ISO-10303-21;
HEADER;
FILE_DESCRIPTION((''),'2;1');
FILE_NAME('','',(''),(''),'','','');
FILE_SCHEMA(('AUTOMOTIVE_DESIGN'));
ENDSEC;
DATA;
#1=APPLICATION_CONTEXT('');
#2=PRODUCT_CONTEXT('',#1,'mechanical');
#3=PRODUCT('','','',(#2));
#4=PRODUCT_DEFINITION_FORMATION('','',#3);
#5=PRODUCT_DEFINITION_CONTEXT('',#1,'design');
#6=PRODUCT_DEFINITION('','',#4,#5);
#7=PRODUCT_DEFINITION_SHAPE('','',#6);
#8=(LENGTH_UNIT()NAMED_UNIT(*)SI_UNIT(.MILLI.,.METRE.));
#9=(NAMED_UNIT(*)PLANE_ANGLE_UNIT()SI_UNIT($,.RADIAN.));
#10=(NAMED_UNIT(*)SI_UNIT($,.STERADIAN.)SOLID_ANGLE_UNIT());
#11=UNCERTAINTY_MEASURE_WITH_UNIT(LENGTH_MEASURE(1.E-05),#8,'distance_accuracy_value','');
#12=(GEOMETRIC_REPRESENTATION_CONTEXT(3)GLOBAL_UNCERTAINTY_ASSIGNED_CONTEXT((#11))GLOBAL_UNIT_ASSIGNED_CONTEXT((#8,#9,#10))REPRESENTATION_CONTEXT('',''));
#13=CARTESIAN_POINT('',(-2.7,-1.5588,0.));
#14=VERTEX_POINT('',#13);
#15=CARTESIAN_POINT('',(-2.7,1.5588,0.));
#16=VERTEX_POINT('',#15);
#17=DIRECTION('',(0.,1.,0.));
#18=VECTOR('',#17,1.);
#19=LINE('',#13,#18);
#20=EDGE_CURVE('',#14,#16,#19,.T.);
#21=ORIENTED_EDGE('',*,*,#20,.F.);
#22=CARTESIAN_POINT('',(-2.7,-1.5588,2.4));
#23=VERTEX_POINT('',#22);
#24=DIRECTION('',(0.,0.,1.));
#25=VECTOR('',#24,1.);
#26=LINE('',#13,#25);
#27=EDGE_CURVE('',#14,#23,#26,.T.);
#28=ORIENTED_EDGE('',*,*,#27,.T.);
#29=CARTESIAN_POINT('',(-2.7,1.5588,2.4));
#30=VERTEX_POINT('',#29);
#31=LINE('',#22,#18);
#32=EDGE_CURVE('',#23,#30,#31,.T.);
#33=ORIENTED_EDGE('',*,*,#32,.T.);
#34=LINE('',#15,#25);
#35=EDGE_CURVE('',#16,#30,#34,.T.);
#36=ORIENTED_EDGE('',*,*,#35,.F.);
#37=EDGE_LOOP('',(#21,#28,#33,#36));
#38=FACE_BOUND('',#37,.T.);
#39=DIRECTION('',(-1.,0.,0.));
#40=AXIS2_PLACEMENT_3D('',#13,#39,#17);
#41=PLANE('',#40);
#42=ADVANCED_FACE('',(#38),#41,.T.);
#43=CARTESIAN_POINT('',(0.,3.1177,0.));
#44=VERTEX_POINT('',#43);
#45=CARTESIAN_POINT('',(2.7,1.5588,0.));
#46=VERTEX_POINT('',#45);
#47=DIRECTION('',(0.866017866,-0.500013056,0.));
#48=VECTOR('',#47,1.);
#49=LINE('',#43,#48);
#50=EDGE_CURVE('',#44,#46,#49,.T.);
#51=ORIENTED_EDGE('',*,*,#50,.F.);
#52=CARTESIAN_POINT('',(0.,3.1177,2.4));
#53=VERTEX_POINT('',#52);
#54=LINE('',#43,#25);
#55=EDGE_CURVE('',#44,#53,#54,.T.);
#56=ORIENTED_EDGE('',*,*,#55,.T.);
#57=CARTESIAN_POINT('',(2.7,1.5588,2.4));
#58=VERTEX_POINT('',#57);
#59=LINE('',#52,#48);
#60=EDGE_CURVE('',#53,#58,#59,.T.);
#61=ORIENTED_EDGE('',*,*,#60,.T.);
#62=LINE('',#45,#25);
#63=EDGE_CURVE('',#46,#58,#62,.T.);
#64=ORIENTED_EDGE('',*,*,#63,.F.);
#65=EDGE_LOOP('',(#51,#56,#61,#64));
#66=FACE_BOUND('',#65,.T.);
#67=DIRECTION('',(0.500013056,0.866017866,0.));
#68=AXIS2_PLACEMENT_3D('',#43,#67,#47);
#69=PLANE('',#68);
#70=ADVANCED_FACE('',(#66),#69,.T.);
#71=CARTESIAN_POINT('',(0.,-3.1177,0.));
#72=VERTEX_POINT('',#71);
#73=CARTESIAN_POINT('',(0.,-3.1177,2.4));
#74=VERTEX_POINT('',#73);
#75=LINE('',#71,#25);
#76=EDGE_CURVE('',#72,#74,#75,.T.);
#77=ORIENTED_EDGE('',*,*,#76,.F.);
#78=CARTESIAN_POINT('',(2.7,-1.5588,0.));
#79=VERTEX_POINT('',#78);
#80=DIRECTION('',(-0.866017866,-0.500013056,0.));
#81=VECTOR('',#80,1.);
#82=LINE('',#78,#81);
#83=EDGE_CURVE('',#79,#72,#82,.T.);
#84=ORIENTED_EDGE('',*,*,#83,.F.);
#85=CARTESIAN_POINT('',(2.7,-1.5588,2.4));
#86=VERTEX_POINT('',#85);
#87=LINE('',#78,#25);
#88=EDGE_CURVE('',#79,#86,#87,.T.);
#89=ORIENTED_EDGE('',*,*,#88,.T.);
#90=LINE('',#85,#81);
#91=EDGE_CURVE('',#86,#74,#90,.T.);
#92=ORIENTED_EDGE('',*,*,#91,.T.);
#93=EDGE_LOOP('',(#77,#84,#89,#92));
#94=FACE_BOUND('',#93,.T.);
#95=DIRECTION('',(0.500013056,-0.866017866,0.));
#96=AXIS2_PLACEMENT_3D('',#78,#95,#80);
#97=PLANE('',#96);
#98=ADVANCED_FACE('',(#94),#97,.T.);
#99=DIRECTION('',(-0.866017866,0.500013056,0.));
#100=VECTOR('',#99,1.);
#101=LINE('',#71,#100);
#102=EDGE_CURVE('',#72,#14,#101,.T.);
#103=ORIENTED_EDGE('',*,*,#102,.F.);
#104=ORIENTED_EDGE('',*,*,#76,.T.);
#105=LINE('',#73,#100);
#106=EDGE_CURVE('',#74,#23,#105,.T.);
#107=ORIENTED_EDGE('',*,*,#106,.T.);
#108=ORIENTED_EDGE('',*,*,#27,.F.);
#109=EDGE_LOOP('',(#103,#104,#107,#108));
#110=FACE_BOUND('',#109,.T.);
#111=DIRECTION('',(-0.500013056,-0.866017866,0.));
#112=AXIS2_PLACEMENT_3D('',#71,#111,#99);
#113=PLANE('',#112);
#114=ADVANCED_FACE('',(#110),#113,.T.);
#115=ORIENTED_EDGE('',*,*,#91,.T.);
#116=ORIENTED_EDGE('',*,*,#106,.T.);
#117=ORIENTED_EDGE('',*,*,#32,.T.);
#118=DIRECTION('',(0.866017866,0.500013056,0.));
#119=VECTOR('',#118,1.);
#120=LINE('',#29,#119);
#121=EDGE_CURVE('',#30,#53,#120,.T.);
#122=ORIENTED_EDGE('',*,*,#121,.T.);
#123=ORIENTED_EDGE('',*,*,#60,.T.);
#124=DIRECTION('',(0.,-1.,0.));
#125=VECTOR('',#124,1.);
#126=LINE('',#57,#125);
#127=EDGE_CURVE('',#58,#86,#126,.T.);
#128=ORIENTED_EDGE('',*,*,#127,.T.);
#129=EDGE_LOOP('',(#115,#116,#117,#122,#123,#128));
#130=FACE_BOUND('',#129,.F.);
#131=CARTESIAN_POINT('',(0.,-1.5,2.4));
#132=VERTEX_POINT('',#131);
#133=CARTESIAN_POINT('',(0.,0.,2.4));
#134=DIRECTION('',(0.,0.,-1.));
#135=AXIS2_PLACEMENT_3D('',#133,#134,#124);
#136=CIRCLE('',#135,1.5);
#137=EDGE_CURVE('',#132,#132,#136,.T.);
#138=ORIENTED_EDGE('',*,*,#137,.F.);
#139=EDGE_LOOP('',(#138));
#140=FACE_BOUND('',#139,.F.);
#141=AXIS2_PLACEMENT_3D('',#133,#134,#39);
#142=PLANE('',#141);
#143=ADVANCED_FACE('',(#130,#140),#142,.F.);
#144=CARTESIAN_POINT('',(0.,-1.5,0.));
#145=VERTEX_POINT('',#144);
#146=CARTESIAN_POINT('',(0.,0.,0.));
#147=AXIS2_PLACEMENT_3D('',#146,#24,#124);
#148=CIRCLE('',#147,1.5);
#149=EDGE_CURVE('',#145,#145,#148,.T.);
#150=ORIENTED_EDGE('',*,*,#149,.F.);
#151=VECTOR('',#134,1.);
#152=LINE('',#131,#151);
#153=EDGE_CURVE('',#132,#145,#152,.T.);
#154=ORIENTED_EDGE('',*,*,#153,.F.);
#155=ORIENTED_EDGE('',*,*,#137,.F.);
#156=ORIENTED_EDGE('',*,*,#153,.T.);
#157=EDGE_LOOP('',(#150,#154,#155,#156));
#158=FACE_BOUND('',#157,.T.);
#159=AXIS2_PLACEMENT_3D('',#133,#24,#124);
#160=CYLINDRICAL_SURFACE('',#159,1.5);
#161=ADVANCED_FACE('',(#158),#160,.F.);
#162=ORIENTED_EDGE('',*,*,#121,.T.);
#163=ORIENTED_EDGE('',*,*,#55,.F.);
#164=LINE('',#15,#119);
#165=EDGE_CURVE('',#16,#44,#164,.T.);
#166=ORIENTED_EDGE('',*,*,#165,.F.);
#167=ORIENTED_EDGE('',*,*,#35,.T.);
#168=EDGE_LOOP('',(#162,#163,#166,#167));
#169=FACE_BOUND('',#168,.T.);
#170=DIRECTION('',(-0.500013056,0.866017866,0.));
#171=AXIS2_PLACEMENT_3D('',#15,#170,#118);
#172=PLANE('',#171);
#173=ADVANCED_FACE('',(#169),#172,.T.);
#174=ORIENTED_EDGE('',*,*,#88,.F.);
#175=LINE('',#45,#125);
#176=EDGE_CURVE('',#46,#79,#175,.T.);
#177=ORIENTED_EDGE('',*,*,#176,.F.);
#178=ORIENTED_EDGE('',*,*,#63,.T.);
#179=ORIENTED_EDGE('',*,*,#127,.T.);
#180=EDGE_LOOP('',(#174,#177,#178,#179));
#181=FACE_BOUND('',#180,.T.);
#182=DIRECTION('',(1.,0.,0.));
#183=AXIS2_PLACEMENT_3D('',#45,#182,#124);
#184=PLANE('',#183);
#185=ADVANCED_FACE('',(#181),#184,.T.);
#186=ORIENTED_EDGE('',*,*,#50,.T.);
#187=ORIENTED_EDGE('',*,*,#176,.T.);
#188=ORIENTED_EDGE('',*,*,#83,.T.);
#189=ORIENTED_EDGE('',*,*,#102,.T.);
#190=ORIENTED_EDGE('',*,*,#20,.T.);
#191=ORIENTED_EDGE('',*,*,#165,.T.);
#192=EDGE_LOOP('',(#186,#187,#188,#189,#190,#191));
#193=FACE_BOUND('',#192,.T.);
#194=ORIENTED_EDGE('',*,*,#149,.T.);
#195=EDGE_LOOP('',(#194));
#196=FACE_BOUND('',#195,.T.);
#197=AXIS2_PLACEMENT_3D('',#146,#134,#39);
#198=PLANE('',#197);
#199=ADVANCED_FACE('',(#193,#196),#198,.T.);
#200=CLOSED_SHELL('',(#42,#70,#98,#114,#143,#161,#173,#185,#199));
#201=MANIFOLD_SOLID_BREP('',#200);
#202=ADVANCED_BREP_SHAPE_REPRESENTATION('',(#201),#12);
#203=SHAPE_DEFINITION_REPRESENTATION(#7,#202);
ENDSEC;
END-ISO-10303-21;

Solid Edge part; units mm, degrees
sketch "Sketch1" plane through (0, 0, 0) normal (0, 0, 1) x (1, 0, 0)
  line L0 (0, 3.1177) -> (2.7, 1.5588)
  line L1 (2.7, 1.5588) -> (2.7, -1.5588)
  line L2 (2.7, -1.5588) -> (0, -3.1177)
  line L3 (0, -3.1177) -> (-2.7, -1.5588)
  line L4 (-2.7, -1.5588) -> (-2.7, 1.5588)
  line L5 (-2.7, 1.5588) -> (0, 3.1177)
  dimension "D1" = 5.4
  dimension "D2" = 5.4
  dimension "D3" = 5.4
extrude "Protrusion1" add sketch "Sketch1" along normal blind 2.4
hole "Hole_1" at (0, 0, 2.4) direction (0, 0, -1) diameter 3 end up to next
